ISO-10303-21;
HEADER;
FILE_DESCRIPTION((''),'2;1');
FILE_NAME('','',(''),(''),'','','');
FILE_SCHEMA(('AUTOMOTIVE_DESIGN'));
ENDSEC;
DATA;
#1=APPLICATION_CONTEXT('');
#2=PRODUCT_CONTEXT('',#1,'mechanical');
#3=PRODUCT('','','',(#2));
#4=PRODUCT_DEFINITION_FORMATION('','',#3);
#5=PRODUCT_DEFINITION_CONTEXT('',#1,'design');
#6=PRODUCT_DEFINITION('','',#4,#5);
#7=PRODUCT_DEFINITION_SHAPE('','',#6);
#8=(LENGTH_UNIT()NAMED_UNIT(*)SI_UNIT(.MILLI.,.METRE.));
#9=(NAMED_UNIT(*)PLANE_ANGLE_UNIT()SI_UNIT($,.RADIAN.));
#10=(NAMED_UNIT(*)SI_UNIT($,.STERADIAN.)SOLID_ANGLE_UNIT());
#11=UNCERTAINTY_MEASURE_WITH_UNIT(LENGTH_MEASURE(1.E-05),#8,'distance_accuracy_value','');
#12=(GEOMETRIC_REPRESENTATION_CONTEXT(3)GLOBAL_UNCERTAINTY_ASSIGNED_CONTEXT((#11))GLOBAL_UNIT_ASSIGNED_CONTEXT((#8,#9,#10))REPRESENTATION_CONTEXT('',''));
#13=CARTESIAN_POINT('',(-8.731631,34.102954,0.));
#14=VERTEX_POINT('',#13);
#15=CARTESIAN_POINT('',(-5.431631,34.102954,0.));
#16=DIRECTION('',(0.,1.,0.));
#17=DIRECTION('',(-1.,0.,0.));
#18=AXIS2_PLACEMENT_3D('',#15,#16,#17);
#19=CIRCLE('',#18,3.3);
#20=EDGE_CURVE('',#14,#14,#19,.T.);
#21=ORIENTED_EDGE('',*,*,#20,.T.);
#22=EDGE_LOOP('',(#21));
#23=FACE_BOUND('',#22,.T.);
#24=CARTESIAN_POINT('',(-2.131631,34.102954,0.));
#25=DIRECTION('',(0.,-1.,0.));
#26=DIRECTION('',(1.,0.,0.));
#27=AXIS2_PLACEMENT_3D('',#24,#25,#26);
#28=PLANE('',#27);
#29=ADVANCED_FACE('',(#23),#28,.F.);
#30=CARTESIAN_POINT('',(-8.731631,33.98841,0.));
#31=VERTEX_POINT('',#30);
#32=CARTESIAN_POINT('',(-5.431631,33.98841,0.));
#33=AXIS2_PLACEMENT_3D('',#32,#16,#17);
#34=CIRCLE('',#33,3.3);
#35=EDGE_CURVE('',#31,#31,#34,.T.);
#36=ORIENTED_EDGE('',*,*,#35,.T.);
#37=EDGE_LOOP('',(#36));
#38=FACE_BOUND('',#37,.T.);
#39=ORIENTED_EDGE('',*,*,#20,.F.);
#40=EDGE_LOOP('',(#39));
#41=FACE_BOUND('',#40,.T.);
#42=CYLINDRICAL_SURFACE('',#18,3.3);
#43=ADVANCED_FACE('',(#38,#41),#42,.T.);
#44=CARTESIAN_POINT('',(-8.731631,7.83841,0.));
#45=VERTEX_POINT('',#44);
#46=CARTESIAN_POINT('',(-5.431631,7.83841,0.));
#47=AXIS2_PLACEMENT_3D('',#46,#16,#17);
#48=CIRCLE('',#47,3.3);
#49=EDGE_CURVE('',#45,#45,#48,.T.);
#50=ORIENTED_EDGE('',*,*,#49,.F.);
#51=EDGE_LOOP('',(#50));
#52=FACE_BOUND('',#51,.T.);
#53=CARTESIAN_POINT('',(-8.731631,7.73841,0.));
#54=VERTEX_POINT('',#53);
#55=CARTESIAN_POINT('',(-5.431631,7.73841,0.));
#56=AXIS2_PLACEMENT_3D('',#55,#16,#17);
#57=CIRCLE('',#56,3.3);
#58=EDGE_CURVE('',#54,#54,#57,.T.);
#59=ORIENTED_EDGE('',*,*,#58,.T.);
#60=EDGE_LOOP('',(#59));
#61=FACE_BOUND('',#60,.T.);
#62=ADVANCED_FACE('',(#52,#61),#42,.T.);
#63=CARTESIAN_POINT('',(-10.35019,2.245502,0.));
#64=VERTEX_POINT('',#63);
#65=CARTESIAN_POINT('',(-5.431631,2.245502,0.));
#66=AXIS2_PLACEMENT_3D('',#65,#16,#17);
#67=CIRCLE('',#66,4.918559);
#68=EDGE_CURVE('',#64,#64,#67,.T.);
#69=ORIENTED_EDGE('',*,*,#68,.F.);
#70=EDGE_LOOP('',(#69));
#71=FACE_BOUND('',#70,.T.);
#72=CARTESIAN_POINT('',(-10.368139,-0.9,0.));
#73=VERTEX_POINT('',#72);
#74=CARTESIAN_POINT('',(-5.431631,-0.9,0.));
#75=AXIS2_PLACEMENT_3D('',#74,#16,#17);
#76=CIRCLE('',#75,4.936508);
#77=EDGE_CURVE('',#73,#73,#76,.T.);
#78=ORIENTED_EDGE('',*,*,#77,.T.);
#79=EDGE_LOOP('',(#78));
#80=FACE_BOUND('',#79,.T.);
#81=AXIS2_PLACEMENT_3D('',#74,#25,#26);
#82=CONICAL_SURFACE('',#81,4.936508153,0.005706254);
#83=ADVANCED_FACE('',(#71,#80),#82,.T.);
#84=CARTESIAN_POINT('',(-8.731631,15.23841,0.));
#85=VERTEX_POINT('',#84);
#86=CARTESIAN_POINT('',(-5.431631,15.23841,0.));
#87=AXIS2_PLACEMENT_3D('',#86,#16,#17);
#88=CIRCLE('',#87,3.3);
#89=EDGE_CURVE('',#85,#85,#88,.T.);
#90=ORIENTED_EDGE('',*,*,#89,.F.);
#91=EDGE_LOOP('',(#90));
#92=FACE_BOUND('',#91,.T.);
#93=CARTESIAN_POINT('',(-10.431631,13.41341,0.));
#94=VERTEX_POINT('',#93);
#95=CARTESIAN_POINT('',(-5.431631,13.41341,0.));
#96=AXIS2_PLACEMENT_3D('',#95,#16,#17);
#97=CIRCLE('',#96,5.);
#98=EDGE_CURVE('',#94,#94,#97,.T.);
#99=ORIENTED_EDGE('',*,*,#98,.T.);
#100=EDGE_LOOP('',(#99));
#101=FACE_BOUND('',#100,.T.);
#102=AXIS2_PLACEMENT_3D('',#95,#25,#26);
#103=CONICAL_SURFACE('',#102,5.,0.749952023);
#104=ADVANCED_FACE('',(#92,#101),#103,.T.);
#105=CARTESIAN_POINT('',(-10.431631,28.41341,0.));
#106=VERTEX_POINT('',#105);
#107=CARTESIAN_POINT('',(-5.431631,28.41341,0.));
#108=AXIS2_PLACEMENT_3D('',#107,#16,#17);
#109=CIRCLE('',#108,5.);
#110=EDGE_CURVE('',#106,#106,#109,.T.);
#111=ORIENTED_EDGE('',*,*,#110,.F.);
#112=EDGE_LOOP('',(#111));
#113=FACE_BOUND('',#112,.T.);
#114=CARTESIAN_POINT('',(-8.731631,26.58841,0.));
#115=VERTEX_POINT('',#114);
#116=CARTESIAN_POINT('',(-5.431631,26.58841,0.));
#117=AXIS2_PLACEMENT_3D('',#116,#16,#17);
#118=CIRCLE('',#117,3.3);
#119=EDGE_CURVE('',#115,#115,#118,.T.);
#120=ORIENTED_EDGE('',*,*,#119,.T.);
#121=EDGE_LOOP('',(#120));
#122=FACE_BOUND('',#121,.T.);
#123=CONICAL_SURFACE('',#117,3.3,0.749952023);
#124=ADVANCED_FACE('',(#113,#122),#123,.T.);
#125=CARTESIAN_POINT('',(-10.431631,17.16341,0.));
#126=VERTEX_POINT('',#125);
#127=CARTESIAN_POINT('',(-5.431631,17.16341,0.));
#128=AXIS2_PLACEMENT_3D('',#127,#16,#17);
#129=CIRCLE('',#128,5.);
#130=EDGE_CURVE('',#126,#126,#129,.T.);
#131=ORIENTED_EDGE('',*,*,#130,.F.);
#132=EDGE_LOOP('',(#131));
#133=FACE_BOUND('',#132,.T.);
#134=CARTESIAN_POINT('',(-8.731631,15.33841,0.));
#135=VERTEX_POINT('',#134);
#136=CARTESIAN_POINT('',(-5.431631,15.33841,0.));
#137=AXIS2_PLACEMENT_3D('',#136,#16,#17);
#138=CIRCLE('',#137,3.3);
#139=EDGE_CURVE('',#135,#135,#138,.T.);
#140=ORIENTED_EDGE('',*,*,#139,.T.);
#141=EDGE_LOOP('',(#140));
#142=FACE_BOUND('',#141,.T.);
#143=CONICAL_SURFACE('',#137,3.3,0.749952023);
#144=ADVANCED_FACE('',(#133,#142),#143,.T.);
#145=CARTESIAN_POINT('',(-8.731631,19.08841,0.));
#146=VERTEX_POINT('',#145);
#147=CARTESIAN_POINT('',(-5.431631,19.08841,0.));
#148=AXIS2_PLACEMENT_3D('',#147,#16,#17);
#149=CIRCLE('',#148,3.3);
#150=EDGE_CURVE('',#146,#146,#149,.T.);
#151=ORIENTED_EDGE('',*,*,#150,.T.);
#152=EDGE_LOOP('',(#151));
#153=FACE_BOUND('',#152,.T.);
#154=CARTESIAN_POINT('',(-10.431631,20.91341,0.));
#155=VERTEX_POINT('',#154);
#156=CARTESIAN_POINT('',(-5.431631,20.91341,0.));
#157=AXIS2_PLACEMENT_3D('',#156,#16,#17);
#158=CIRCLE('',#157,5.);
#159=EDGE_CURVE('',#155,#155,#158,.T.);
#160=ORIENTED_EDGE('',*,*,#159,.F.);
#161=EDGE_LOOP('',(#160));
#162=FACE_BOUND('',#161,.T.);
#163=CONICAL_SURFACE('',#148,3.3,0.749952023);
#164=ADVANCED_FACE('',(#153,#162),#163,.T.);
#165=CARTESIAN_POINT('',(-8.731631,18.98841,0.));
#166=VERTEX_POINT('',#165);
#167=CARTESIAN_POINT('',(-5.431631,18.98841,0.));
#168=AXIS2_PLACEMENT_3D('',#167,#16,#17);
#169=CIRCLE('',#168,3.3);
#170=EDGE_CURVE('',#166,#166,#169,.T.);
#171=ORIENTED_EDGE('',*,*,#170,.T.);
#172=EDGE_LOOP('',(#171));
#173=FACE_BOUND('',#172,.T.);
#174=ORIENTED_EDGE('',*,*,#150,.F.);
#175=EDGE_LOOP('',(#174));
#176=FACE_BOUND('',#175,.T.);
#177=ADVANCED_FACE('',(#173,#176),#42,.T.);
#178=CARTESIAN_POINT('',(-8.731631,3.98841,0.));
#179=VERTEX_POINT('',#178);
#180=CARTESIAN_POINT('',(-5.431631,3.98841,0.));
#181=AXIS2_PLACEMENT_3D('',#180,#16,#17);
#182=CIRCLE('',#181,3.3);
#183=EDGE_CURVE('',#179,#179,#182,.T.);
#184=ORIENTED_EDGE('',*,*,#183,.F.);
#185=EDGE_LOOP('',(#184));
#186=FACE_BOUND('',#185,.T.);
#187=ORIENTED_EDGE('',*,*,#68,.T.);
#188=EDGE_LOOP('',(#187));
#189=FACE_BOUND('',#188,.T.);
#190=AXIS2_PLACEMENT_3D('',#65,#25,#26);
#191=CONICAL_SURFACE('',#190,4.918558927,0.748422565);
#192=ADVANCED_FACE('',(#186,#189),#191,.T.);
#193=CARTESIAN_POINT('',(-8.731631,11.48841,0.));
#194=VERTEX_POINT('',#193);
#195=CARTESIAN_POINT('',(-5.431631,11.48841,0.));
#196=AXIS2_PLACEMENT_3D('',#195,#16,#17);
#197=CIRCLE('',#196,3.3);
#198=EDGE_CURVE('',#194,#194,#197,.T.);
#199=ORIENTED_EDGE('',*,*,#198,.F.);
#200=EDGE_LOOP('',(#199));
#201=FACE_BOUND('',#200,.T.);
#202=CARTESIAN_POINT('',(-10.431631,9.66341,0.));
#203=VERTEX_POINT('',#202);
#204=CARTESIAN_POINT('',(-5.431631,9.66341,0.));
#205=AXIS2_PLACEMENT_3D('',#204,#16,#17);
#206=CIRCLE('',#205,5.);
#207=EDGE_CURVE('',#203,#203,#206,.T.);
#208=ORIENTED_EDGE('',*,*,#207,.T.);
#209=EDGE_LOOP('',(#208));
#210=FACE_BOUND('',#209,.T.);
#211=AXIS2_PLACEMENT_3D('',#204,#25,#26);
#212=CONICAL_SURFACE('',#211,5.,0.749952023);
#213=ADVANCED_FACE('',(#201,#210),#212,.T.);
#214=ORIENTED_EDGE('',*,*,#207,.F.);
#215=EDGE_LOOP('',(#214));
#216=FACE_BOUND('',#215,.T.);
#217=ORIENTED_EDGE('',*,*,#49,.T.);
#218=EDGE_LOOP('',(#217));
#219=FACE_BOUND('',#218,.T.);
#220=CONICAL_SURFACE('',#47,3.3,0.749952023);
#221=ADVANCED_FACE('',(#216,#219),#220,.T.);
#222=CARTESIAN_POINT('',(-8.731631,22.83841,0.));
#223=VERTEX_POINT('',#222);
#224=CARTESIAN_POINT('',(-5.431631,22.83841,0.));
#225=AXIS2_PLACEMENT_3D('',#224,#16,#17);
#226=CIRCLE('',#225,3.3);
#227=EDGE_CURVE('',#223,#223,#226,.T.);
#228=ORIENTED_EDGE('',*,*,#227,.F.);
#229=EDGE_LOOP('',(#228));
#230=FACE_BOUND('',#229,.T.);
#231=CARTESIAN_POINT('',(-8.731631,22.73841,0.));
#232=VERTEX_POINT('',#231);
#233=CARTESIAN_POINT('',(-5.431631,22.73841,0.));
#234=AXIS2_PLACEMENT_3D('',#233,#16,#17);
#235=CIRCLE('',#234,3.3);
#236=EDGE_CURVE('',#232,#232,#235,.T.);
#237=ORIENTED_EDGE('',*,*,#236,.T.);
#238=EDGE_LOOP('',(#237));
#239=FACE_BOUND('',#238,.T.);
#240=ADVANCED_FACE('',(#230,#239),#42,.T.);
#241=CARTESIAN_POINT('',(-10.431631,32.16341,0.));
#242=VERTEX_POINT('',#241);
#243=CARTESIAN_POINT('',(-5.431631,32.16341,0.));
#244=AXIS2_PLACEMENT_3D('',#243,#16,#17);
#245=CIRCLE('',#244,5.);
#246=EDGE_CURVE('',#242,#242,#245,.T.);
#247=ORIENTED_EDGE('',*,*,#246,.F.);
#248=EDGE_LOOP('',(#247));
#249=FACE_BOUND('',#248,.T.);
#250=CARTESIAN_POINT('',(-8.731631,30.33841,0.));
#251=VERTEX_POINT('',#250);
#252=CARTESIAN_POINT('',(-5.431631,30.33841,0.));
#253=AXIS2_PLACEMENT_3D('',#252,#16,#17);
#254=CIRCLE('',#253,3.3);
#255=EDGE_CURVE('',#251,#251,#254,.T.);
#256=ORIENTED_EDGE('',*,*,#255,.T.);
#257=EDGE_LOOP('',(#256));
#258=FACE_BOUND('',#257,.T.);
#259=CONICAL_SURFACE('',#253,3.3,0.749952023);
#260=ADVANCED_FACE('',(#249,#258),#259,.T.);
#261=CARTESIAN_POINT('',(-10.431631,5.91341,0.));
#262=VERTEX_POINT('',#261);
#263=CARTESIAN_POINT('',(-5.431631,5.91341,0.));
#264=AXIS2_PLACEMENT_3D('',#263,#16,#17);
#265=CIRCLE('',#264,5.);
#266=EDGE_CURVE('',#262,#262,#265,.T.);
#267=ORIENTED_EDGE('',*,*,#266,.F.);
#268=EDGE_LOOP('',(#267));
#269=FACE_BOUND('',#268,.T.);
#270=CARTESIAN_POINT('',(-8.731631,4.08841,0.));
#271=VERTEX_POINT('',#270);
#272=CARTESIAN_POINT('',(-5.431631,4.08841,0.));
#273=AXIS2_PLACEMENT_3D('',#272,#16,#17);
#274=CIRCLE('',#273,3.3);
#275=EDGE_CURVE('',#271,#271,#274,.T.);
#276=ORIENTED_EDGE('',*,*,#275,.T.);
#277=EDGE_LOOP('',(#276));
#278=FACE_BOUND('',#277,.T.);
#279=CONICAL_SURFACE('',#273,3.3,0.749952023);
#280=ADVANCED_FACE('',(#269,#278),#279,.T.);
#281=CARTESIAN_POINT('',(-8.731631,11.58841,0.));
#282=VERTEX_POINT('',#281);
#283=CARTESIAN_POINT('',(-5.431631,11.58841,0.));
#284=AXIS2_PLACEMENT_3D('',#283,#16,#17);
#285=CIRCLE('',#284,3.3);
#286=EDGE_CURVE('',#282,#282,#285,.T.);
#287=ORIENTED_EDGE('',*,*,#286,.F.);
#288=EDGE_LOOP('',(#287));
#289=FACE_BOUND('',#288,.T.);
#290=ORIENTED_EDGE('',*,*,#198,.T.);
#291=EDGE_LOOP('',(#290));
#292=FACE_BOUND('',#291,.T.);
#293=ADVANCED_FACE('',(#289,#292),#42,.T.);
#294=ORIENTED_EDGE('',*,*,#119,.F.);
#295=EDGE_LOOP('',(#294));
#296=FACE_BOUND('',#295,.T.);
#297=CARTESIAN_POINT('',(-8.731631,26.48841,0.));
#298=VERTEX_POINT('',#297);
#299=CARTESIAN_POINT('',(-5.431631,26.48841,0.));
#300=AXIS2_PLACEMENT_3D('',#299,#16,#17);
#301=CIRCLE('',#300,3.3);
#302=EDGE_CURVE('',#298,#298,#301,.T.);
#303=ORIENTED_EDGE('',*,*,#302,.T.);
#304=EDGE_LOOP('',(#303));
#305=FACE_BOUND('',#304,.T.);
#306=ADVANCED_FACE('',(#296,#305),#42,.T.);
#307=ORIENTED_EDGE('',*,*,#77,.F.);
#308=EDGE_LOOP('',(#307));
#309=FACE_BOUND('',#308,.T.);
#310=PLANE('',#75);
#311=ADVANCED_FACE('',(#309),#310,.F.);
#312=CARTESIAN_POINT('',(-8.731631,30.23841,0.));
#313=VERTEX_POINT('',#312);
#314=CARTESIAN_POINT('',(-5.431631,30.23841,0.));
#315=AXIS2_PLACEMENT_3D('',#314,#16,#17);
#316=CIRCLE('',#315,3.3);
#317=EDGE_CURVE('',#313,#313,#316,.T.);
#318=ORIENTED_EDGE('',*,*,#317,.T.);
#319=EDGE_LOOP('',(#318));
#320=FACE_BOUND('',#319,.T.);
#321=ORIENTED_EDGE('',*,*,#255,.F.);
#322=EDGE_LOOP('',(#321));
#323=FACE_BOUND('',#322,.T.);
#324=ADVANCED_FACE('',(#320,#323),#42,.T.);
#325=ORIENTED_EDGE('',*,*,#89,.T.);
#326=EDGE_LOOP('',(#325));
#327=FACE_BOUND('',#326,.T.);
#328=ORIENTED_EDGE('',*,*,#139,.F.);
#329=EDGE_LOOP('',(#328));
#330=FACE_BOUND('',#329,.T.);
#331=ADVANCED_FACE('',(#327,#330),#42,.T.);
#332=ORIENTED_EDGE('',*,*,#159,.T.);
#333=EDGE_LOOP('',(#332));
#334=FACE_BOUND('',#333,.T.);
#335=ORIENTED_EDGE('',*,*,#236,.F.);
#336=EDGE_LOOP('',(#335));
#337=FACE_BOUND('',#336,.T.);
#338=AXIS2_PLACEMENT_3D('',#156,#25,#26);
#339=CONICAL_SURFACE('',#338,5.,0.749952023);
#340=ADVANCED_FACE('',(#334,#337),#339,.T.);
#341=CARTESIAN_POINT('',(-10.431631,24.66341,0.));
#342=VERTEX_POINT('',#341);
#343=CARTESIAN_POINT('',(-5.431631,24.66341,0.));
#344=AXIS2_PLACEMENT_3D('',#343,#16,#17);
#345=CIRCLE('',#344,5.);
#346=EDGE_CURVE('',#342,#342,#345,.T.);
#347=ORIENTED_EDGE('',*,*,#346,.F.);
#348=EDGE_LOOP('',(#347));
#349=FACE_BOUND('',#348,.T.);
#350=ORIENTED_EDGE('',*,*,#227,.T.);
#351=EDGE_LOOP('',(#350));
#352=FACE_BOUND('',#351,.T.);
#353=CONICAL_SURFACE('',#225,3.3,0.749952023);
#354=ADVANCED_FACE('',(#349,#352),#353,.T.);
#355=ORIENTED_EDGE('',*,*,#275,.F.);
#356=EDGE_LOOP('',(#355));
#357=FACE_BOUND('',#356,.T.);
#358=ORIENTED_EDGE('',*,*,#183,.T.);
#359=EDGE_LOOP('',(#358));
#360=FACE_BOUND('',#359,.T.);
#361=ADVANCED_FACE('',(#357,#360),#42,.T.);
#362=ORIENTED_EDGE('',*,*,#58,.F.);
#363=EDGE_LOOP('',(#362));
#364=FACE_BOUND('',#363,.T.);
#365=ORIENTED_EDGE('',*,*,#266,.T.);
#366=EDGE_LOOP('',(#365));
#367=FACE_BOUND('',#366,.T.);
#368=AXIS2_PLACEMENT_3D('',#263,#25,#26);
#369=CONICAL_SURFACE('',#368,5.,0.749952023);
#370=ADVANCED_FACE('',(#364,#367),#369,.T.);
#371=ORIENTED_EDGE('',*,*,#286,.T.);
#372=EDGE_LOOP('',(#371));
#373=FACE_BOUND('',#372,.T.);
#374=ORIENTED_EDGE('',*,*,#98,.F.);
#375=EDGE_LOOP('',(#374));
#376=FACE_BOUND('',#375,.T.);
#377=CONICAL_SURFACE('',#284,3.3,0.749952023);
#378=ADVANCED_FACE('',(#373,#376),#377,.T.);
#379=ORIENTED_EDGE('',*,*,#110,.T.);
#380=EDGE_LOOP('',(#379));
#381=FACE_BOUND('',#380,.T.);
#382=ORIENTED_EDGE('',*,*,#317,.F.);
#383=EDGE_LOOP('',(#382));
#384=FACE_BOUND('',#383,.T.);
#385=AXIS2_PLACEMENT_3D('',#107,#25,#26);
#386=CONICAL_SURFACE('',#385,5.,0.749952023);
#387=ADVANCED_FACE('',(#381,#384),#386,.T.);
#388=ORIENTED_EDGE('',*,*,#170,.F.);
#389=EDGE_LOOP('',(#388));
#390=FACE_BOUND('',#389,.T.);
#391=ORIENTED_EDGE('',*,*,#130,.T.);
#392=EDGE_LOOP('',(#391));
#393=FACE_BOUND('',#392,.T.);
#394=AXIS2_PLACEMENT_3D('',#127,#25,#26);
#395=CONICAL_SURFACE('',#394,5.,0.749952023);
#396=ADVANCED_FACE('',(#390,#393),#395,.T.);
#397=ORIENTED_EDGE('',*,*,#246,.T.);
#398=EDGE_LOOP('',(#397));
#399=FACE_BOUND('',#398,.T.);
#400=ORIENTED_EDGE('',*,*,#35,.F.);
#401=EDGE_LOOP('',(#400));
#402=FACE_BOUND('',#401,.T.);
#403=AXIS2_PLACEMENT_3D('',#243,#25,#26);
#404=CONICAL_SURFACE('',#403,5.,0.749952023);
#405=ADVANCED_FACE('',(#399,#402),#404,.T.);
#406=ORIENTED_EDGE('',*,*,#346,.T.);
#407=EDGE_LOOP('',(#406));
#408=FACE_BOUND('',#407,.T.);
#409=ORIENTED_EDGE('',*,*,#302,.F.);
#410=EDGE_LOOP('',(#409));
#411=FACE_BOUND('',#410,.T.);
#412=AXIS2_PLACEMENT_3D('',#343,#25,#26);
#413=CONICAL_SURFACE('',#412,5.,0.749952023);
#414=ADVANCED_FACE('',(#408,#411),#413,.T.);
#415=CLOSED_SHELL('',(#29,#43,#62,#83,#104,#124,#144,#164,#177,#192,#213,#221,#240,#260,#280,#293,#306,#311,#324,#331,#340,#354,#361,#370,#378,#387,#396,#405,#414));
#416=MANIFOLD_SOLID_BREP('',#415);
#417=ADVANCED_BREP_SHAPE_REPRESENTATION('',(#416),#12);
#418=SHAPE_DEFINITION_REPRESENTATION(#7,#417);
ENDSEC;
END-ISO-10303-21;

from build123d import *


with BuildPart() as part:
    # Sketch1 → Revolve3 (revolve)
    with BuildSketch(Plane.XY, mode=Mode.PRIVATE) as revolve3_sk:
        Polygon((-2.131630681, 34.102954004), (-2.131630681, 33.988409531), (-0.431630681, 32.163409531), (-2.131630681, 30.338409531), (-2.131630681, 30.238409531), (-0.431630681, 28.413409531), (-2.131630681, 26.588409531), (-2.131630681, 26.488409531), (-0.431630681, 24.663409531), (-2.131630681, 22.838409531), (-2.131630681, 22.738409531), (-0.431630681, 20.913409531), (-2.131630681, 19.088409531), (-2.131630681, 18.988409531), (-0.431630681, 17.163409531), (-2.131630681, 15.338409531), (-2.131630681, 15.238409531), (-0.431630681, 13.413409531), (-2.131630681, 11.588409531), (-2.131630681, 11.488409531), (-0.431630681, 9.663409531), (-2.131630681, 7.838409531), (-2.131630681, 7.738409531), (-0.431630681, 5.913409531), (-2.131630681, 4.088409531), (-2.131630681, 3.988409531), (-0.513071755, 2.245501685), (-0.495122529, -0.9), (-5.431630681, -0.9), (-5.431630681, 34.102954004), align=None)
    revolve(revolve3_sk.sketch.rotate(Axis((-5.431630681, 34.102954004, 0), (0, -1, 0)), 180), axis=Axis((-5.431630681, 34.102954004, 0), (0, -1, 0)))


solid = part.part
